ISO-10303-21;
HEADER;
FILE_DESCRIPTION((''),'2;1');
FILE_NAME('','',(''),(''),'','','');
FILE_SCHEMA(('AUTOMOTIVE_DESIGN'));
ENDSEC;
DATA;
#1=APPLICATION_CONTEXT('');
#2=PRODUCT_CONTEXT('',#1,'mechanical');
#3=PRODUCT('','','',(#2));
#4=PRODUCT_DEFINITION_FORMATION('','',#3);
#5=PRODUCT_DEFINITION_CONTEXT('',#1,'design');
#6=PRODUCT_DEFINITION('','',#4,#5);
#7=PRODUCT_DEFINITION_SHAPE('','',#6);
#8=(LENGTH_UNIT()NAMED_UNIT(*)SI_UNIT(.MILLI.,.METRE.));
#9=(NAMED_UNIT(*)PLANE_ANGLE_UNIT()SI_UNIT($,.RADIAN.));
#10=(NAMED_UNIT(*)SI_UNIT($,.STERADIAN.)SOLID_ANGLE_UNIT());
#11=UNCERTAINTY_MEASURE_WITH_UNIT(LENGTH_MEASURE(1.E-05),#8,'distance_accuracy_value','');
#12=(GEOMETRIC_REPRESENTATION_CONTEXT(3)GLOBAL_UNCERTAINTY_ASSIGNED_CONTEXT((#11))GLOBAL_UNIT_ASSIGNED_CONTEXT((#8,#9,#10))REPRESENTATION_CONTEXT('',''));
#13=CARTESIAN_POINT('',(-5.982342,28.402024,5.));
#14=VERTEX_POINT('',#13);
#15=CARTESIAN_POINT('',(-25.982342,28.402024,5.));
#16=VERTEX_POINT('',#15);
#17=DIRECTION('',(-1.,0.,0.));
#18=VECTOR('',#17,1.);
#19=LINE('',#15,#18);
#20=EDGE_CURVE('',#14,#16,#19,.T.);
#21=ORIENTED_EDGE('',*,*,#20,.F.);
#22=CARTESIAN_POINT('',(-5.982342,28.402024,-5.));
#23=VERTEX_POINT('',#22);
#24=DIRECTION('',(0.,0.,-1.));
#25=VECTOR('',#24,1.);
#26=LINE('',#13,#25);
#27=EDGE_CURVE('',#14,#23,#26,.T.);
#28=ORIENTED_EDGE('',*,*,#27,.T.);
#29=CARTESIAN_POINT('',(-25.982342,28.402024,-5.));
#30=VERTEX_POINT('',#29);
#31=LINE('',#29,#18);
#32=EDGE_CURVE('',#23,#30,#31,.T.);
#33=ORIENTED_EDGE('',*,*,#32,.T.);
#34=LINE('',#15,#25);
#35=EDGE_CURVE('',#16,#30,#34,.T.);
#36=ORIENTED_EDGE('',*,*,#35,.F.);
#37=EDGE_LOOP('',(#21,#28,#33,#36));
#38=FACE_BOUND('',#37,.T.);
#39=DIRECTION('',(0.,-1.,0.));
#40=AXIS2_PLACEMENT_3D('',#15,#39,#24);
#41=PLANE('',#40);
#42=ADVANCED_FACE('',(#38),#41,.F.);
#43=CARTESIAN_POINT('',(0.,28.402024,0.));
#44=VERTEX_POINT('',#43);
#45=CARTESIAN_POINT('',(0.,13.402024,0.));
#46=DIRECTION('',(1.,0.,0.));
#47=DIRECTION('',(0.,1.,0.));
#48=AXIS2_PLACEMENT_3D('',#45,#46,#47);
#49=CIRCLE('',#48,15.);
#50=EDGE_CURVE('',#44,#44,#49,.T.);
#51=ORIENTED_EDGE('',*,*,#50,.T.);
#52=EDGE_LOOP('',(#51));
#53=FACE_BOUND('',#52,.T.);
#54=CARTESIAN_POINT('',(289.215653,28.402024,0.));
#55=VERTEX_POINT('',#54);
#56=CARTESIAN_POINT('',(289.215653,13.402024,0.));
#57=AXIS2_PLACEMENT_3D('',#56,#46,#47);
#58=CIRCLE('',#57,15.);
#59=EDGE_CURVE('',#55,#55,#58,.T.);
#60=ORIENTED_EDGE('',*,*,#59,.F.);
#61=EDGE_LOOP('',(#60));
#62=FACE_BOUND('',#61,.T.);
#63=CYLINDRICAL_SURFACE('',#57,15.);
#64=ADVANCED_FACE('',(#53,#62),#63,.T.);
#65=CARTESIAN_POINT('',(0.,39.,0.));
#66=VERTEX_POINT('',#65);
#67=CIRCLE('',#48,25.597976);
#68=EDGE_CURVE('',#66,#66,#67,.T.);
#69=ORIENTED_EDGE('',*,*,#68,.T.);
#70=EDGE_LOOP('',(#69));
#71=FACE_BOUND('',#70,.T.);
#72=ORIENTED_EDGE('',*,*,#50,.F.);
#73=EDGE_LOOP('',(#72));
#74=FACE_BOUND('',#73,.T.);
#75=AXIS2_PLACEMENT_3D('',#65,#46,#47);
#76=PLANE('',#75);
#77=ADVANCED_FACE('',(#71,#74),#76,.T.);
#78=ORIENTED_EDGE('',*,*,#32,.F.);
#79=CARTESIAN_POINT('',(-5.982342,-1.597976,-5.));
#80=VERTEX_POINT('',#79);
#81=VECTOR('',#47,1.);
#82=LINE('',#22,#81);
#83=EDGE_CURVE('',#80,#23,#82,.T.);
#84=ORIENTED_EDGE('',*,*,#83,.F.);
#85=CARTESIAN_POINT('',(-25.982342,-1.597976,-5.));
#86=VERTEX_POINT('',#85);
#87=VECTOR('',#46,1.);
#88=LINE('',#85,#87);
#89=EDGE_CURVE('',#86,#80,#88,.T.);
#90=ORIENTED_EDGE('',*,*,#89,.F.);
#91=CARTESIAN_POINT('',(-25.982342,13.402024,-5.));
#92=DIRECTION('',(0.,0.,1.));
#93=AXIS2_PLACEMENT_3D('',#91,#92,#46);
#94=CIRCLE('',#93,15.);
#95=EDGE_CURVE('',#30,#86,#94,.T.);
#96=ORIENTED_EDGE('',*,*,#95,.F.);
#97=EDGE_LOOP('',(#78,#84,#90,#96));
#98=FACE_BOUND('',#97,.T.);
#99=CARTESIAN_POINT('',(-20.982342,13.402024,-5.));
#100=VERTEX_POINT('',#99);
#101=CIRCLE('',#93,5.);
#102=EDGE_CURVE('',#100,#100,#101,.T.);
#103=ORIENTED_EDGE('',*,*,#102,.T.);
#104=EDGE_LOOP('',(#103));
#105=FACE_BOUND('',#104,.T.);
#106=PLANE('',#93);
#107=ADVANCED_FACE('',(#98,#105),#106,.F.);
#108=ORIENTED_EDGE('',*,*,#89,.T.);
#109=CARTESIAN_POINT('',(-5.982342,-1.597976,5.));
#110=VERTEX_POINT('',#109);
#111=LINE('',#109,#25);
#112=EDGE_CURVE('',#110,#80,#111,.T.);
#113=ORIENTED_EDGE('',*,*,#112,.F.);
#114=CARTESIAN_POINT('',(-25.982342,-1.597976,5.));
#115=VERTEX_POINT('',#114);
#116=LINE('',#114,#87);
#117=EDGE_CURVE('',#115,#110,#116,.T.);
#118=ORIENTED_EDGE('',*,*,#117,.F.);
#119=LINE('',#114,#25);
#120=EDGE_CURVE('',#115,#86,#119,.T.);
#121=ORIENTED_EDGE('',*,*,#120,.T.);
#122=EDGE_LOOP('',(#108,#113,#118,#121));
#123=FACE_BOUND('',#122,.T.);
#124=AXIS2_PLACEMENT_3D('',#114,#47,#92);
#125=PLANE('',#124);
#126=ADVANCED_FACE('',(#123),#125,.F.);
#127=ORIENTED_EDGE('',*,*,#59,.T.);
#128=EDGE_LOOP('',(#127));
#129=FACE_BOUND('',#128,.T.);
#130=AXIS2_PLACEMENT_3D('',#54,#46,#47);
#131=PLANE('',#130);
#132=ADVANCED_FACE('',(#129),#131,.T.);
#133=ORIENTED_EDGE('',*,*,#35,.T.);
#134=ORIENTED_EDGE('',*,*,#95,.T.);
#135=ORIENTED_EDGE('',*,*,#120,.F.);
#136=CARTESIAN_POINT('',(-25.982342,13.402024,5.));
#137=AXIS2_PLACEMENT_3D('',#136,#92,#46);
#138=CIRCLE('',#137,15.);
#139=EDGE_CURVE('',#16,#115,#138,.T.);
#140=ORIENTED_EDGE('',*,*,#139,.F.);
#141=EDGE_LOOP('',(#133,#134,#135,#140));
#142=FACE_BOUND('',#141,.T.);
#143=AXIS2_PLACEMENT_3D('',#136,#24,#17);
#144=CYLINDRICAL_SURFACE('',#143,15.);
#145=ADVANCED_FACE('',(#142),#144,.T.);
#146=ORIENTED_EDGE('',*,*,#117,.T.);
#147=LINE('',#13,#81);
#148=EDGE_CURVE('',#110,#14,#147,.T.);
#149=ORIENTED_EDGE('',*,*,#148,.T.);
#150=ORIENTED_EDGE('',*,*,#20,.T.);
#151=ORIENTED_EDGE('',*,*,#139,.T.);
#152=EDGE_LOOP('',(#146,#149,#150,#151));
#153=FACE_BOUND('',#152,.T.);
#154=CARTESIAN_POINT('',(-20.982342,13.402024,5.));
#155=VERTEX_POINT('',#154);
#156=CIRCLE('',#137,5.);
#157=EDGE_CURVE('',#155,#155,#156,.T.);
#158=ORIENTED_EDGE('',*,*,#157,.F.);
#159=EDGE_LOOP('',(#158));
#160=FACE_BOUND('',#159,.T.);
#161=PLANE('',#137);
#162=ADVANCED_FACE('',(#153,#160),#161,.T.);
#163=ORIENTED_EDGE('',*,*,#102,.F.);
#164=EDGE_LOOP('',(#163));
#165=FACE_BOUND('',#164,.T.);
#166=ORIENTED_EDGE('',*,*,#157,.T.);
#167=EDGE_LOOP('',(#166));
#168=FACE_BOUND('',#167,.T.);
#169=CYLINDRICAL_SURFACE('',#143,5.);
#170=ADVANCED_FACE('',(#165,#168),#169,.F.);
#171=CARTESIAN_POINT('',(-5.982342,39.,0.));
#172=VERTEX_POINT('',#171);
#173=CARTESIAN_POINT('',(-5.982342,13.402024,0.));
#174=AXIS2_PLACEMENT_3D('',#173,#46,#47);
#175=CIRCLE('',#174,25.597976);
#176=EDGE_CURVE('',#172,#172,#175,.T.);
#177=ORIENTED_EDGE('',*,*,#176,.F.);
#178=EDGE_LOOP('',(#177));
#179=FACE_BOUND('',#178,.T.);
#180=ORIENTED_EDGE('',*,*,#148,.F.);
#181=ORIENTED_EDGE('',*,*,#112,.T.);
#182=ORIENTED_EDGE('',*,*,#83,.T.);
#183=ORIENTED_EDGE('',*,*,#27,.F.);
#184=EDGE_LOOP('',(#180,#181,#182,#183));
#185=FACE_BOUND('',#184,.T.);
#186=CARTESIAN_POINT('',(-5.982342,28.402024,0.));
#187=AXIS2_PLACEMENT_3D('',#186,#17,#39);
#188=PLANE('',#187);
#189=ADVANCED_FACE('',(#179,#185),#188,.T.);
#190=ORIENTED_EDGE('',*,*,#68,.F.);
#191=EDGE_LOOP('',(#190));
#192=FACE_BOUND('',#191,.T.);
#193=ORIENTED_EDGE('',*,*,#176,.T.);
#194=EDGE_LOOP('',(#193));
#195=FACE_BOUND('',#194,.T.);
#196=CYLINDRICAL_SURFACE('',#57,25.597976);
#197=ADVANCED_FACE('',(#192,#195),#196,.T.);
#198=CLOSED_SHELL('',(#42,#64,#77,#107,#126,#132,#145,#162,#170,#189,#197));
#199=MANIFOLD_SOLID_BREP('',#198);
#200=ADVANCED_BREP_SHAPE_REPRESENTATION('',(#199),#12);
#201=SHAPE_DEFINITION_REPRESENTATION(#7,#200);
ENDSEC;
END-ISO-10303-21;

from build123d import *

# Parameters (mm, degrees)
SKETCH2_R           = 5
BOSS_EXTRUDE1_DEPTH = 5


with BuildPart() as part:
    # Sketch2 → Boss-Extrude1 (new, symmetric)
    with BuildSketch(Plane.XY):
        with BuildLine():
            Line((-25.982341551, 28.402024397), (-5.982341551, 28.402024397))
            Line((-5.982341551, 28.402024397), (-5.982341551, -1.597975603))
            Line((-5.982341551, -1.597975603), (-25.982341551, -1.597975603))
            ThreePointArc((-25.982341551, -1.597975603), (-40.982341551, 13.402024397), (-25.982341551, 28.402024397))
        make_face()
        with Locations((-25.982341551, 13.402024397)):
            Circle(SKETCH2_R, mode=Mode.SUBTRACT)
    extrude(amount=BOSS_EXTRUDE1_DEPTH, both=True)

    # Sketch8 → Revolve1 (revolve)
    with BuildSketch(Plane.XY):
        Polygon((-5.982341551, 28.402024397), (-5.982341551, 39), (0, 39), (0, 28.402024397), (289.215653405, 28.402024397), (289.215653405, 13.402024397), (-5.982341551, 13.402024397), align=None)
    revolve(axis=Axis((289.215653405, 13.402024397, 0), (-1, 0, 0)))


solid = part.part
